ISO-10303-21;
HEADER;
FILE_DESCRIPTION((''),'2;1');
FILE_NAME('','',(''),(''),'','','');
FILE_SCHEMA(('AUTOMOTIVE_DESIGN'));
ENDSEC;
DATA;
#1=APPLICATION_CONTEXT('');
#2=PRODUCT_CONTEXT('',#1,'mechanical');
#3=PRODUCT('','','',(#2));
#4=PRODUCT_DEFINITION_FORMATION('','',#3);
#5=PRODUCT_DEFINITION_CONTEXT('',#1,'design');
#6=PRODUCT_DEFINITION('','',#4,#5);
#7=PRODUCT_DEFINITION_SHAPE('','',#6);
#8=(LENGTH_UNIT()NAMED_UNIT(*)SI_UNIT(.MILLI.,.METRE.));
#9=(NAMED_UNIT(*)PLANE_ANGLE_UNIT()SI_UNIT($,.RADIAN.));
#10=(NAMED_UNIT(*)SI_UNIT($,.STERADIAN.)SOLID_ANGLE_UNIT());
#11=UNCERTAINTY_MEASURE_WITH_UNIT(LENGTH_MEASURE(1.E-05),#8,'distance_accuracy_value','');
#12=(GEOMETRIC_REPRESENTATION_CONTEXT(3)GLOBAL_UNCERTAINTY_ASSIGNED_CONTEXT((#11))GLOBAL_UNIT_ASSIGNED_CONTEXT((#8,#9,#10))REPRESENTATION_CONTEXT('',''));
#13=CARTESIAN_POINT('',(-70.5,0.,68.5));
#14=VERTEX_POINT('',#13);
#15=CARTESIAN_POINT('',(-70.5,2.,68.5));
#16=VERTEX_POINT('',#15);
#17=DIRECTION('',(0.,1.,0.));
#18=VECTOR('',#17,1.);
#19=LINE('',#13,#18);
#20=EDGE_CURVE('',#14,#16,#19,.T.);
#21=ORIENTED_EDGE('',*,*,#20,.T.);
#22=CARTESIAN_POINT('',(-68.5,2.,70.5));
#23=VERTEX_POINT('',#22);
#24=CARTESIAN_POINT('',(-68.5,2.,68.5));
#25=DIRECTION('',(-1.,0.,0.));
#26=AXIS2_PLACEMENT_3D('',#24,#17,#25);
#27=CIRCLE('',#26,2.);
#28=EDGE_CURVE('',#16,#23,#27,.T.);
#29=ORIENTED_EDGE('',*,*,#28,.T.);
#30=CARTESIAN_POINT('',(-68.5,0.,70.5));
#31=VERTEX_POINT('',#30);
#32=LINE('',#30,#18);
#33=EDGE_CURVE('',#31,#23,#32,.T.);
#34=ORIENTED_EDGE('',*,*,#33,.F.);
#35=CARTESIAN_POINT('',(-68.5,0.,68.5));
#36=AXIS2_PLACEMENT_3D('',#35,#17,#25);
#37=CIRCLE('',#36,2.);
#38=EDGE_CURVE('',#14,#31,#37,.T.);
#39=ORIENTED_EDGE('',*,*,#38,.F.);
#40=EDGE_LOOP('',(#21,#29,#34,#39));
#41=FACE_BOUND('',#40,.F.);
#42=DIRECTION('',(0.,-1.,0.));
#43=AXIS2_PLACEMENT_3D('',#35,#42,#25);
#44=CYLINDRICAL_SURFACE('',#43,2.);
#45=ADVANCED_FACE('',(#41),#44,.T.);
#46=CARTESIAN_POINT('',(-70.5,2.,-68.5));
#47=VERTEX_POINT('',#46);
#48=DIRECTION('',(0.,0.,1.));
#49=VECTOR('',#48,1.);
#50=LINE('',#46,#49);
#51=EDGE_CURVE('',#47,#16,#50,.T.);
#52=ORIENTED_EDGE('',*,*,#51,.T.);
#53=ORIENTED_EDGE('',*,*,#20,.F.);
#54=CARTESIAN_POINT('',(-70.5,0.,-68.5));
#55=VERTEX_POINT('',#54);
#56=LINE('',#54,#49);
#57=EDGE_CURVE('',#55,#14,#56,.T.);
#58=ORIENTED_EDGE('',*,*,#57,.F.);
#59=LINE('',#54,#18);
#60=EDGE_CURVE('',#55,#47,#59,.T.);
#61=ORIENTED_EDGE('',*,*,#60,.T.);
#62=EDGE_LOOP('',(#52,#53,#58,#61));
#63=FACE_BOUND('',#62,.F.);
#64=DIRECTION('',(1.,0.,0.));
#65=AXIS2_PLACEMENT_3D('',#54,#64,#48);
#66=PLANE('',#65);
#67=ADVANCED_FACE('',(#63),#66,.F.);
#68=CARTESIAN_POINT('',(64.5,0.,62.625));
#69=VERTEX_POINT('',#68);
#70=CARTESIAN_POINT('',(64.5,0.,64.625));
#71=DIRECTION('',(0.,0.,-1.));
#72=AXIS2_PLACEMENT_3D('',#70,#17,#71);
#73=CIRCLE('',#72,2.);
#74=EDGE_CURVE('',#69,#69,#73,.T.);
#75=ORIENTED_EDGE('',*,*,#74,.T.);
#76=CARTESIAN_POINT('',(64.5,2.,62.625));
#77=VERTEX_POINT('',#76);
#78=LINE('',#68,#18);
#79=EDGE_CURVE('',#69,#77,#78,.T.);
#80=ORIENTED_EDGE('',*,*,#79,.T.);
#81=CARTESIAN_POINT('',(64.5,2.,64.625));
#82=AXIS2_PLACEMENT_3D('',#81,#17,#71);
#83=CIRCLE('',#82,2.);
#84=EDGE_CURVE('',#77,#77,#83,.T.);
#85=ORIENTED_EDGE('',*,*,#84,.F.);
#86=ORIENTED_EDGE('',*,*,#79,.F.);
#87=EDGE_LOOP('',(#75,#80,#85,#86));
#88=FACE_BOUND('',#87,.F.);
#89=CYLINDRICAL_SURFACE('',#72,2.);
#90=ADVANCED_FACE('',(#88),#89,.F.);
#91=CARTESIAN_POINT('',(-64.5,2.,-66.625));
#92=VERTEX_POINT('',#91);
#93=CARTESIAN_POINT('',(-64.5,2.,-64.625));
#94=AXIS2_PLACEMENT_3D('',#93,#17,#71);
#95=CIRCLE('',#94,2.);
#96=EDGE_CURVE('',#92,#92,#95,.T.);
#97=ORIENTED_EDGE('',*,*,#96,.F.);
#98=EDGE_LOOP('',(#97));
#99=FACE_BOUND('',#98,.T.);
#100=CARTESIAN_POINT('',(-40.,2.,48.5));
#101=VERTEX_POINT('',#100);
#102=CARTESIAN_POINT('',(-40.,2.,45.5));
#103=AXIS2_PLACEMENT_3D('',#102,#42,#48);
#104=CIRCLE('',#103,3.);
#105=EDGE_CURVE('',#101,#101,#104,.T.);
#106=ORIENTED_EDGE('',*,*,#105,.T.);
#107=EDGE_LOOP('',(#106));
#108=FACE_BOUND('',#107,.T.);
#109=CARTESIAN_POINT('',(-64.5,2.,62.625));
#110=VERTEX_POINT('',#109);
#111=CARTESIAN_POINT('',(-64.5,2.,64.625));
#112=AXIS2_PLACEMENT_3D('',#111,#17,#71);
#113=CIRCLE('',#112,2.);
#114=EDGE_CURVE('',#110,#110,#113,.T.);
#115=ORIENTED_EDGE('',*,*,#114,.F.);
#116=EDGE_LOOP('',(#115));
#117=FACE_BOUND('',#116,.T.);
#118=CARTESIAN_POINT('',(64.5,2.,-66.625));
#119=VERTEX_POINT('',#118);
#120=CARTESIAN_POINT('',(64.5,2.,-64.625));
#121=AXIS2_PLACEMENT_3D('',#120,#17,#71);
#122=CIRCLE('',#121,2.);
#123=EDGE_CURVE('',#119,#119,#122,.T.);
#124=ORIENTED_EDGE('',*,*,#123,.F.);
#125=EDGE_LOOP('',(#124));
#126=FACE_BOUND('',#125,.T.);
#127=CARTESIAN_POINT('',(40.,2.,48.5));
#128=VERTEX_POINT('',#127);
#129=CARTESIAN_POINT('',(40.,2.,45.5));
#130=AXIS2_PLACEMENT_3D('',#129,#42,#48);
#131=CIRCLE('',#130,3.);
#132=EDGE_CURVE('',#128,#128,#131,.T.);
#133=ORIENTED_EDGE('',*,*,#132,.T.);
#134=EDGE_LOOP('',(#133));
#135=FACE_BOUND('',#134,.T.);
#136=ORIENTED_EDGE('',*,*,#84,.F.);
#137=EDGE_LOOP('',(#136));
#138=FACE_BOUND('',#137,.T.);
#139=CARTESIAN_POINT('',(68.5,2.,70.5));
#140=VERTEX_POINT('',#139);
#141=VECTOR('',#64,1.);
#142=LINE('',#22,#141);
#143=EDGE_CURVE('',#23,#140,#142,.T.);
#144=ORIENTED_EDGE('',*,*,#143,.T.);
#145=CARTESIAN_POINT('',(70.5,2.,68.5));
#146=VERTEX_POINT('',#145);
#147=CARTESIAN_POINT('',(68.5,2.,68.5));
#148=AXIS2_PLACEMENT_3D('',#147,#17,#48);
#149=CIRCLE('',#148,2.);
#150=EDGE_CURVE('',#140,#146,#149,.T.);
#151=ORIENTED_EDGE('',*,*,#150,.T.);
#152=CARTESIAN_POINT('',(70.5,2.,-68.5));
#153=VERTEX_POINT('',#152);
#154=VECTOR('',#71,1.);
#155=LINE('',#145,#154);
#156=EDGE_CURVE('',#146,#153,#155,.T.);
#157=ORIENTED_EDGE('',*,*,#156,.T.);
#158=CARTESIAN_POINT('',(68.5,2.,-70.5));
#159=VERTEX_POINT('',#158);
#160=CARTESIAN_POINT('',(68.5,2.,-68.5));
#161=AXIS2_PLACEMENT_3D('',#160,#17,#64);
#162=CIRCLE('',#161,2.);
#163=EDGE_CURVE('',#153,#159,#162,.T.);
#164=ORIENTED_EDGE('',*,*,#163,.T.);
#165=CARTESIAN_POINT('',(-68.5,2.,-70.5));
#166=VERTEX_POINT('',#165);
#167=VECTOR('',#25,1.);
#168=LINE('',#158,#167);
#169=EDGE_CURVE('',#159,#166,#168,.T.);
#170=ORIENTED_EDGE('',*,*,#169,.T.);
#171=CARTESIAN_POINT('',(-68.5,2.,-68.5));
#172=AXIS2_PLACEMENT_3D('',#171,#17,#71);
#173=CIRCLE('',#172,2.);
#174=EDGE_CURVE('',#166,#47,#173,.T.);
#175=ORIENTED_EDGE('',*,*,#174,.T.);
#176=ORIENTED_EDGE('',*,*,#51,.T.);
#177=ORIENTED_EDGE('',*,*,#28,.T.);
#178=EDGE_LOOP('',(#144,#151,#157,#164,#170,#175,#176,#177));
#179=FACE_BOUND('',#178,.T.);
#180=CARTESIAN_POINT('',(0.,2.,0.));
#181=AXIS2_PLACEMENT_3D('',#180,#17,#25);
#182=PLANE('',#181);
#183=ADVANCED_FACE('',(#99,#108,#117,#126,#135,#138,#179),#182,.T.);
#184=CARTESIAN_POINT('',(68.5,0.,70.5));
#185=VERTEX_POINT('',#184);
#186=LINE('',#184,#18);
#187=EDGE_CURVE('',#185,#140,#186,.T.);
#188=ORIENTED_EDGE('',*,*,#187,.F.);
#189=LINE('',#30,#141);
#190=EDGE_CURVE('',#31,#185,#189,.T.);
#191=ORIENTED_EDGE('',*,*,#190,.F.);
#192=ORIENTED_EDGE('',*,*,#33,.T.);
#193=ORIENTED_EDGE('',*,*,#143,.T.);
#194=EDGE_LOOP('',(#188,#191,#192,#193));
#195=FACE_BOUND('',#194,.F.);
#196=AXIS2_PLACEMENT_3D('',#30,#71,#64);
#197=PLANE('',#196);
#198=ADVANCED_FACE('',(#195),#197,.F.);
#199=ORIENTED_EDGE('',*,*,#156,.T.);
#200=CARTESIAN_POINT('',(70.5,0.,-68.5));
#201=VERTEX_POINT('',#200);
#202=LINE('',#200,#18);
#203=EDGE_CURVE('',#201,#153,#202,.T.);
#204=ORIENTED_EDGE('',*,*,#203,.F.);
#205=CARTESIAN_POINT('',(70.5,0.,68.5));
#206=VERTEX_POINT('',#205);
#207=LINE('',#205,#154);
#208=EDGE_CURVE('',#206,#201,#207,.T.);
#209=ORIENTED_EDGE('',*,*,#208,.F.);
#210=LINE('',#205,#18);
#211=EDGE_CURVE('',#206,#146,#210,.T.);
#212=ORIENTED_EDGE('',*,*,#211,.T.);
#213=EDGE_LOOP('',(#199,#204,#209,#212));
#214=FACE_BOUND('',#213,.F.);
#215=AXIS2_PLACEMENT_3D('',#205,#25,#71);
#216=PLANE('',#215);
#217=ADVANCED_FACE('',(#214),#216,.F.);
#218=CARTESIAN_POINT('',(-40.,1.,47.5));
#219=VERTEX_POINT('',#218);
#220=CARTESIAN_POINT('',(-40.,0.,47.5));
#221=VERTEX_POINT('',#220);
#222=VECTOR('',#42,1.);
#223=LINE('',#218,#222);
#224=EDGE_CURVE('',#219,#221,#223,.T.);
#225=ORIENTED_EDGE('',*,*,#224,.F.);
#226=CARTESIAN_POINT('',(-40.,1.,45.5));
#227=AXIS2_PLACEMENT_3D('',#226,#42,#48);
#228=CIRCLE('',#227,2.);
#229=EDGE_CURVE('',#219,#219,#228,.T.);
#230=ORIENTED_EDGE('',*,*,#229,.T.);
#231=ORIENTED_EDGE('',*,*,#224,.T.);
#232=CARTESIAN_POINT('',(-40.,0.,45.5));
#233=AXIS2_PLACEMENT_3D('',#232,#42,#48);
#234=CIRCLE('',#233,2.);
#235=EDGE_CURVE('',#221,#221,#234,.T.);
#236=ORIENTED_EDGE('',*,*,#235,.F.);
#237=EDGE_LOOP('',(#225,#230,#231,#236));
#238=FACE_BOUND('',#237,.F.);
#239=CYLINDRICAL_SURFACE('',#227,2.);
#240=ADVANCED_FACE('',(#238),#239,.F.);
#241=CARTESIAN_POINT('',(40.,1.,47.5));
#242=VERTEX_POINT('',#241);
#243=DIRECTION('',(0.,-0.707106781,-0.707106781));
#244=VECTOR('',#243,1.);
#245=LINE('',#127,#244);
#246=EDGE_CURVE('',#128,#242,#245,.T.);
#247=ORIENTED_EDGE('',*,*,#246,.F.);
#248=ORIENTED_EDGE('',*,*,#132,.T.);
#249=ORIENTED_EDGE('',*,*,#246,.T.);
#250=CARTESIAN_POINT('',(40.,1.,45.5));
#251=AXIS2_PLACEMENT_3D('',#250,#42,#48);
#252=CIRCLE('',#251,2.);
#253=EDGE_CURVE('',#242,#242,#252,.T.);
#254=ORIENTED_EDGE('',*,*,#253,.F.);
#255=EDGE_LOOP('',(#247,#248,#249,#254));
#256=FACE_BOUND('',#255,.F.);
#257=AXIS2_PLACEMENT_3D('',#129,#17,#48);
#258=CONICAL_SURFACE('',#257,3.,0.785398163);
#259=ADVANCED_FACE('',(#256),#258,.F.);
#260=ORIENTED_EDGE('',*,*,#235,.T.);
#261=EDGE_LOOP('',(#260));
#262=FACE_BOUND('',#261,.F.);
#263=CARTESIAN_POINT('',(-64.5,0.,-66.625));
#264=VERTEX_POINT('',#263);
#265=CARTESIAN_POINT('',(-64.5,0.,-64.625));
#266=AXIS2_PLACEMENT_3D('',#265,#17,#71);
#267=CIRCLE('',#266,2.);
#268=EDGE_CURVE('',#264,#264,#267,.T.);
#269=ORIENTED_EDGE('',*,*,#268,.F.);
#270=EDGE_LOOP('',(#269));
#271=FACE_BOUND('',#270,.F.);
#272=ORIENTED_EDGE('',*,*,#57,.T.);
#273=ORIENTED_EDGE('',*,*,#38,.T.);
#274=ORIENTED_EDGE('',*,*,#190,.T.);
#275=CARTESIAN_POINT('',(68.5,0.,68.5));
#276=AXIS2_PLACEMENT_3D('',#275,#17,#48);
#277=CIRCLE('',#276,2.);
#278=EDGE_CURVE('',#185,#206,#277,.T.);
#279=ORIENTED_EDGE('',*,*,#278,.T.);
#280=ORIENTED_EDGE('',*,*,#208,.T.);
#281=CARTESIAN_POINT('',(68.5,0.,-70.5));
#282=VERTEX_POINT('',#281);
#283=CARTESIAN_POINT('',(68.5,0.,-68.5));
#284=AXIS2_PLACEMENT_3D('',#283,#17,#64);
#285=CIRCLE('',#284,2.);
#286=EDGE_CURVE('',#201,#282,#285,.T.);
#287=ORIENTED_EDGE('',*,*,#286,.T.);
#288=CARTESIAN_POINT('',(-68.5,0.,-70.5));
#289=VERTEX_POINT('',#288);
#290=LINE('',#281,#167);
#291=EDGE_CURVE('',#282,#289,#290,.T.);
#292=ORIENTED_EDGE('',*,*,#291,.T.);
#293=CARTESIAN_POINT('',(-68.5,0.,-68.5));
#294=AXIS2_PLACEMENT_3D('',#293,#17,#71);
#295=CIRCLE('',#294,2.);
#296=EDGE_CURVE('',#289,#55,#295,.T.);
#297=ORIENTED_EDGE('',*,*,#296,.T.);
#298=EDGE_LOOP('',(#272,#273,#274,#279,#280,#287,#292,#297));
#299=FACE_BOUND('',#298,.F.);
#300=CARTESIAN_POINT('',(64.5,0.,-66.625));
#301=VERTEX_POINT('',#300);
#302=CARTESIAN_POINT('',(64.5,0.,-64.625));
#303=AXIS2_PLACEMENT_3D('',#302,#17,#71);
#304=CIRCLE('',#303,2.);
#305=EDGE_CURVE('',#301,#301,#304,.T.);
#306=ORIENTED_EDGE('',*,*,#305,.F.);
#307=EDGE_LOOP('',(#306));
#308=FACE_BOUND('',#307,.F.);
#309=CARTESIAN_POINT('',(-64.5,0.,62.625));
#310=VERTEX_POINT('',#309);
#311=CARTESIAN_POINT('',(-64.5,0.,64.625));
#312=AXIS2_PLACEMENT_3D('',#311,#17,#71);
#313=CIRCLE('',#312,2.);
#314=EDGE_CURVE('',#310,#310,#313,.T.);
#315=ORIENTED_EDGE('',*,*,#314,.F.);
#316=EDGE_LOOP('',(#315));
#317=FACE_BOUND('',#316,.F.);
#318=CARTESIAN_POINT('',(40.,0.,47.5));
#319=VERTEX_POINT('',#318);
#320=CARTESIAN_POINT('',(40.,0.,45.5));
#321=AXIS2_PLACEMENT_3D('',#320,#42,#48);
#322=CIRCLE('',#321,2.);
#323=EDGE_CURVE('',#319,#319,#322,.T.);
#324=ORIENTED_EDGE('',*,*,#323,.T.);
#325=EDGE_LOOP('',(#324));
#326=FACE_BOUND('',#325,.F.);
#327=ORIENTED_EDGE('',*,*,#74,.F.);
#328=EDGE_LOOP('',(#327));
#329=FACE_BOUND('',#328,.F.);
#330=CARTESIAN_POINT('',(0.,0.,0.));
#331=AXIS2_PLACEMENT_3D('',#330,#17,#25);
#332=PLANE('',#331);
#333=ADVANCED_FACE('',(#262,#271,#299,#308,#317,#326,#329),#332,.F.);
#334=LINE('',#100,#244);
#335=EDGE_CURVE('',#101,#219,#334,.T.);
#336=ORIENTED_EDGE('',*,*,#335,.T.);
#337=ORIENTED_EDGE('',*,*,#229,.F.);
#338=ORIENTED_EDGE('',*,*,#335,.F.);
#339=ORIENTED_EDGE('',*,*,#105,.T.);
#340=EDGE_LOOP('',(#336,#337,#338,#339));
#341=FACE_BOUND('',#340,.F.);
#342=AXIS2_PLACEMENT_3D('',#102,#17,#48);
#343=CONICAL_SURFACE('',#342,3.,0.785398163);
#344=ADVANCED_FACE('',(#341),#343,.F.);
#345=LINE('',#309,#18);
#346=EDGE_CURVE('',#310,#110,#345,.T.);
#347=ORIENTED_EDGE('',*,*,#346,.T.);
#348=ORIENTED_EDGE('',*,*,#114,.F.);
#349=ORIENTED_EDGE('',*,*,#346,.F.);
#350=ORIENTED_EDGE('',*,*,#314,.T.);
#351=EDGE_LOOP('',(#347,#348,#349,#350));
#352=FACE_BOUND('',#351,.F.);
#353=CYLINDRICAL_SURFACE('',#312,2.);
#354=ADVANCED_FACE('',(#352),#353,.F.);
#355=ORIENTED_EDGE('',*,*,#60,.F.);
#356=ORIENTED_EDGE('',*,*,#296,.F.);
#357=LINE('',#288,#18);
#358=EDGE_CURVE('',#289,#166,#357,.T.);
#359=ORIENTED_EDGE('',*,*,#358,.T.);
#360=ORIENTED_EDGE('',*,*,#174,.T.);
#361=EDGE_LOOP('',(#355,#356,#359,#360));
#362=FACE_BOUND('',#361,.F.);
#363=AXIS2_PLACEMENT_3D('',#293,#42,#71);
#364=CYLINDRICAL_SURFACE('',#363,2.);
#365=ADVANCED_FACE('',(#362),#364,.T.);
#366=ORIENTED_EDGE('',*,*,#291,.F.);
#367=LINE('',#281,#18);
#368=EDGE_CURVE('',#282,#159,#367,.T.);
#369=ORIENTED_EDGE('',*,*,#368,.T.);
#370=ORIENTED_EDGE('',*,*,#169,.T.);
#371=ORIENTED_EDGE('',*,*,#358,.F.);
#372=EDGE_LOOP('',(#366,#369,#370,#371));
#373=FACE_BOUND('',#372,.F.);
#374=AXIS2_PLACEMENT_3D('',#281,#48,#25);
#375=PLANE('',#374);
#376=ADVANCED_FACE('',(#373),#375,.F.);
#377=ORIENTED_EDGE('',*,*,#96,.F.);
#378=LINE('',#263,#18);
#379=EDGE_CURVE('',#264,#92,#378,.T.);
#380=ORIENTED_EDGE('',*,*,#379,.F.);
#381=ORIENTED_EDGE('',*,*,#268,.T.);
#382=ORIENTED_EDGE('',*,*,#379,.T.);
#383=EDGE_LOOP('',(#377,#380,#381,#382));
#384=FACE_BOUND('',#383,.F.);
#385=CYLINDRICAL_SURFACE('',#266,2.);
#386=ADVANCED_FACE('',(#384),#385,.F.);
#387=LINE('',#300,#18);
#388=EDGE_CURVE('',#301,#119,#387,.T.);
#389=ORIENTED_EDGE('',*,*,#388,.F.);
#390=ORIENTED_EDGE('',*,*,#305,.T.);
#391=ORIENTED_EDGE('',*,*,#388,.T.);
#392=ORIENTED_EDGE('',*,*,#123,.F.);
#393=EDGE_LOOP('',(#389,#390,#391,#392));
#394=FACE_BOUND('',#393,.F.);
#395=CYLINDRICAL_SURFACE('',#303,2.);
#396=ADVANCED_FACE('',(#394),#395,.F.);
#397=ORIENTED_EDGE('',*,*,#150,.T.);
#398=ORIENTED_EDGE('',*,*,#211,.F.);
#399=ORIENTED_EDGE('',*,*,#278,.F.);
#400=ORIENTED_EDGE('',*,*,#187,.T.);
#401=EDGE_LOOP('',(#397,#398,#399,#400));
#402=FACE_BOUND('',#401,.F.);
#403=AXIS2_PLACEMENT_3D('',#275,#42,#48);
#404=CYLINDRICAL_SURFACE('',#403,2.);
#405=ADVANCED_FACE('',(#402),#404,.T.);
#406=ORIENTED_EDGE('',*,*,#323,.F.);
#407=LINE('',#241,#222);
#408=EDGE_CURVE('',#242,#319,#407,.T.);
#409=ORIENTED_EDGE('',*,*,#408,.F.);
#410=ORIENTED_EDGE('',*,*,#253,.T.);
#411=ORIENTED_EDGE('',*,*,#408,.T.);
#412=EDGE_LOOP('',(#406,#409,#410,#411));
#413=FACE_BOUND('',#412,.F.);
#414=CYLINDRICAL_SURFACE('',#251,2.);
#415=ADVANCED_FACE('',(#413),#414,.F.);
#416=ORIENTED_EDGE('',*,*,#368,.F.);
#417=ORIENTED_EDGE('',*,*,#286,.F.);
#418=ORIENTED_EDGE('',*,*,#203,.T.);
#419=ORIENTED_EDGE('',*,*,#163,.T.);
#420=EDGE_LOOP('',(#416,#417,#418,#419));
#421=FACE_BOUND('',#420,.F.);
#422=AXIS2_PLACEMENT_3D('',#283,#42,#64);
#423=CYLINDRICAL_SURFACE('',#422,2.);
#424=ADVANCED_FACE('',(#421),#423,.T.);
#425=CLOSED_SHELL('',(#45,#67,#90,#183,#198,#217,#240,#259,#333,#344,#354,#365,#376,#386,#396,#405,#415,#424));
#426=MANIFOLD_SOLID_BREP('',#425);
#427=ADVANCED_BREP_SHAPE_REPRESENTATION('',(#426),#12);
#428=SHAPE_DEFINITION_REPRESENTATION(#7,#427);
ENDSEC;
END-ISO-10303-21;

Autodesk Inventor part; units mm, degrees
ref_plane "YZ Plane" through (0, 0, 0) normal (1, 0, 0) x (0, 1, 0)
ref_plane "XZ Plane" through (0, 0, 0) normal (0, 1, 0) x (-1, 0, 0)
ref_plane "XY Plane" through (0, 0, 0) normal (0, 0, 1) x (1, 0, 0)
sketch "Sketch1" plane through (0, 0, 0) normal (0, 1, 0) x (-1, 0, 0)
  line L0 (64.5, 64.625) -> (-64.5, 64.625) construction
  line L1 (-64.5, 64.625) -> (-64.5, -64.625) construction
  line L2 (-64.5, -64.625) -> (62.5, -64.625) construction
  line L3 (64.5, -62.625) -> (64.5, 64.625) construction
  line L4 (64.5, 64.625) -> (-64.5, -64.625) construction
  line L5 (-64.5, 64.625) -> (64.5, -64.625) construction
  line L6 (68.5, 70.5) -> (-68.5, 70.5)
  line L7 (-70.5, 68.5) -> (-70.5, -68.5)
  line L8 (-68.5, -70.5) -> (68.5, -70.5)
  line L9 (70.5, -68.5) -> (70.5, 68.5)
  line L10 (70.5, 70.5) -> (-70.5, -70.5) construction
  line L11 (-70.5, 70.5) -> (70.5, -70.5) construction
  arc A0 (62.5, -64.625) -> (64.5, -62.625) centre (62.5, -62.625) ccw
  arc A1 (70.5, 68.5) -> (68.5, 70.5) centre (68.5, 68.5) ccw
  arc A2 (68.5, -70.5) -> (70.5, -68.5) centre (68.5, -68.5) ccw
  arc A3 (-70.5, -68.5) -> (-68.5, -70.5) centre (-68.5, -68.5) ccw
  arc A4 (-68.5, 70.5) -> (-70.5, 68.5) centre (-68.5, 68.5) ccw
  point P0 (0, 0)
  dimension "d0" = 129
  dimension "d1" = 129.25
  dimension "d2" = 141
  dimension "d3" = 141
  dimension "d4" = 2
extrude "Extrusion1" add sketch "Sketch1" along normal blind 2
hole "Hole1" at (64.5, 0, -64.625) at (64.5, 0, 64.625) at (-64.5, 0, -64.625) at (-64.5, 0, 64.625) direction (0, 1, 0) diameter 4 end through all
sketch "Sketch2" plane through (0, 2, 0) normal (0, 1, 0) x (1, 0, 0)
  circle A0 centre (-64.5, 64.625) radius 2 construction
  circle A1 centre (64.5, 64.625) radius 2 construction
  circle A2 centre (64.5, -64.625) radius 2 construction
  circle A3 centre (-64.5, -64.625) radius 2 construction
  arc A4 (68.5, -70.5) -> (70.5, -68.5) centre (68.5, -68.5) ccw construction
  line L0 (70.5, -68.5) -> (70.5, 68.5) construction
  arc A5 (70.5, 68.5) -> (68.5, 70.5) centre (68.5, 68.5) ccw construction
  line L1 (68.5, 70.5) -> (-68.5, 70.5) construction
  arc A6 (-68.5, 70.5) -> (-70.5, 68.5) centre (-68.5, 68.5) ccw construction
  line L2 (-70.5, 68.5) -> (-70.5, -68.5) construction
  arc A7 (-70.5, -68.5) -> (-68.5, -70.5) centre (-68.5, -68.5) ccw construction
  line L3 (-68.5, -70.5) -> (68.5, -70.5) construction
  line L4 (70.5, -68.5) -> (70.5, 68.5) construction
  line L5 (70.5, -45.5) -> (-70.5, -45.5) construction
  line L6 (-70.5, 68.5) -> (-70.5, -68.5) construction
  line L7 (0, -45.5) -> (-40, -45.5) construction
  line L8 (-40, -45.5) -> (0, -45.5) construction
  line L9 (0, -45.5) -> (40, -45.5) construction
  point P0 (0, 0)
  dimension "d14" = 25
  dimension "d15" = 40
  dimension "d16" = 40
hole "Hole2" at (-40, 2, 45.5) at (40, 2, 45.5) direction (0, -1, 0) diameter 4 end through all countersink diameter 6 countersink angle 90
properties part number "plate_f16"
